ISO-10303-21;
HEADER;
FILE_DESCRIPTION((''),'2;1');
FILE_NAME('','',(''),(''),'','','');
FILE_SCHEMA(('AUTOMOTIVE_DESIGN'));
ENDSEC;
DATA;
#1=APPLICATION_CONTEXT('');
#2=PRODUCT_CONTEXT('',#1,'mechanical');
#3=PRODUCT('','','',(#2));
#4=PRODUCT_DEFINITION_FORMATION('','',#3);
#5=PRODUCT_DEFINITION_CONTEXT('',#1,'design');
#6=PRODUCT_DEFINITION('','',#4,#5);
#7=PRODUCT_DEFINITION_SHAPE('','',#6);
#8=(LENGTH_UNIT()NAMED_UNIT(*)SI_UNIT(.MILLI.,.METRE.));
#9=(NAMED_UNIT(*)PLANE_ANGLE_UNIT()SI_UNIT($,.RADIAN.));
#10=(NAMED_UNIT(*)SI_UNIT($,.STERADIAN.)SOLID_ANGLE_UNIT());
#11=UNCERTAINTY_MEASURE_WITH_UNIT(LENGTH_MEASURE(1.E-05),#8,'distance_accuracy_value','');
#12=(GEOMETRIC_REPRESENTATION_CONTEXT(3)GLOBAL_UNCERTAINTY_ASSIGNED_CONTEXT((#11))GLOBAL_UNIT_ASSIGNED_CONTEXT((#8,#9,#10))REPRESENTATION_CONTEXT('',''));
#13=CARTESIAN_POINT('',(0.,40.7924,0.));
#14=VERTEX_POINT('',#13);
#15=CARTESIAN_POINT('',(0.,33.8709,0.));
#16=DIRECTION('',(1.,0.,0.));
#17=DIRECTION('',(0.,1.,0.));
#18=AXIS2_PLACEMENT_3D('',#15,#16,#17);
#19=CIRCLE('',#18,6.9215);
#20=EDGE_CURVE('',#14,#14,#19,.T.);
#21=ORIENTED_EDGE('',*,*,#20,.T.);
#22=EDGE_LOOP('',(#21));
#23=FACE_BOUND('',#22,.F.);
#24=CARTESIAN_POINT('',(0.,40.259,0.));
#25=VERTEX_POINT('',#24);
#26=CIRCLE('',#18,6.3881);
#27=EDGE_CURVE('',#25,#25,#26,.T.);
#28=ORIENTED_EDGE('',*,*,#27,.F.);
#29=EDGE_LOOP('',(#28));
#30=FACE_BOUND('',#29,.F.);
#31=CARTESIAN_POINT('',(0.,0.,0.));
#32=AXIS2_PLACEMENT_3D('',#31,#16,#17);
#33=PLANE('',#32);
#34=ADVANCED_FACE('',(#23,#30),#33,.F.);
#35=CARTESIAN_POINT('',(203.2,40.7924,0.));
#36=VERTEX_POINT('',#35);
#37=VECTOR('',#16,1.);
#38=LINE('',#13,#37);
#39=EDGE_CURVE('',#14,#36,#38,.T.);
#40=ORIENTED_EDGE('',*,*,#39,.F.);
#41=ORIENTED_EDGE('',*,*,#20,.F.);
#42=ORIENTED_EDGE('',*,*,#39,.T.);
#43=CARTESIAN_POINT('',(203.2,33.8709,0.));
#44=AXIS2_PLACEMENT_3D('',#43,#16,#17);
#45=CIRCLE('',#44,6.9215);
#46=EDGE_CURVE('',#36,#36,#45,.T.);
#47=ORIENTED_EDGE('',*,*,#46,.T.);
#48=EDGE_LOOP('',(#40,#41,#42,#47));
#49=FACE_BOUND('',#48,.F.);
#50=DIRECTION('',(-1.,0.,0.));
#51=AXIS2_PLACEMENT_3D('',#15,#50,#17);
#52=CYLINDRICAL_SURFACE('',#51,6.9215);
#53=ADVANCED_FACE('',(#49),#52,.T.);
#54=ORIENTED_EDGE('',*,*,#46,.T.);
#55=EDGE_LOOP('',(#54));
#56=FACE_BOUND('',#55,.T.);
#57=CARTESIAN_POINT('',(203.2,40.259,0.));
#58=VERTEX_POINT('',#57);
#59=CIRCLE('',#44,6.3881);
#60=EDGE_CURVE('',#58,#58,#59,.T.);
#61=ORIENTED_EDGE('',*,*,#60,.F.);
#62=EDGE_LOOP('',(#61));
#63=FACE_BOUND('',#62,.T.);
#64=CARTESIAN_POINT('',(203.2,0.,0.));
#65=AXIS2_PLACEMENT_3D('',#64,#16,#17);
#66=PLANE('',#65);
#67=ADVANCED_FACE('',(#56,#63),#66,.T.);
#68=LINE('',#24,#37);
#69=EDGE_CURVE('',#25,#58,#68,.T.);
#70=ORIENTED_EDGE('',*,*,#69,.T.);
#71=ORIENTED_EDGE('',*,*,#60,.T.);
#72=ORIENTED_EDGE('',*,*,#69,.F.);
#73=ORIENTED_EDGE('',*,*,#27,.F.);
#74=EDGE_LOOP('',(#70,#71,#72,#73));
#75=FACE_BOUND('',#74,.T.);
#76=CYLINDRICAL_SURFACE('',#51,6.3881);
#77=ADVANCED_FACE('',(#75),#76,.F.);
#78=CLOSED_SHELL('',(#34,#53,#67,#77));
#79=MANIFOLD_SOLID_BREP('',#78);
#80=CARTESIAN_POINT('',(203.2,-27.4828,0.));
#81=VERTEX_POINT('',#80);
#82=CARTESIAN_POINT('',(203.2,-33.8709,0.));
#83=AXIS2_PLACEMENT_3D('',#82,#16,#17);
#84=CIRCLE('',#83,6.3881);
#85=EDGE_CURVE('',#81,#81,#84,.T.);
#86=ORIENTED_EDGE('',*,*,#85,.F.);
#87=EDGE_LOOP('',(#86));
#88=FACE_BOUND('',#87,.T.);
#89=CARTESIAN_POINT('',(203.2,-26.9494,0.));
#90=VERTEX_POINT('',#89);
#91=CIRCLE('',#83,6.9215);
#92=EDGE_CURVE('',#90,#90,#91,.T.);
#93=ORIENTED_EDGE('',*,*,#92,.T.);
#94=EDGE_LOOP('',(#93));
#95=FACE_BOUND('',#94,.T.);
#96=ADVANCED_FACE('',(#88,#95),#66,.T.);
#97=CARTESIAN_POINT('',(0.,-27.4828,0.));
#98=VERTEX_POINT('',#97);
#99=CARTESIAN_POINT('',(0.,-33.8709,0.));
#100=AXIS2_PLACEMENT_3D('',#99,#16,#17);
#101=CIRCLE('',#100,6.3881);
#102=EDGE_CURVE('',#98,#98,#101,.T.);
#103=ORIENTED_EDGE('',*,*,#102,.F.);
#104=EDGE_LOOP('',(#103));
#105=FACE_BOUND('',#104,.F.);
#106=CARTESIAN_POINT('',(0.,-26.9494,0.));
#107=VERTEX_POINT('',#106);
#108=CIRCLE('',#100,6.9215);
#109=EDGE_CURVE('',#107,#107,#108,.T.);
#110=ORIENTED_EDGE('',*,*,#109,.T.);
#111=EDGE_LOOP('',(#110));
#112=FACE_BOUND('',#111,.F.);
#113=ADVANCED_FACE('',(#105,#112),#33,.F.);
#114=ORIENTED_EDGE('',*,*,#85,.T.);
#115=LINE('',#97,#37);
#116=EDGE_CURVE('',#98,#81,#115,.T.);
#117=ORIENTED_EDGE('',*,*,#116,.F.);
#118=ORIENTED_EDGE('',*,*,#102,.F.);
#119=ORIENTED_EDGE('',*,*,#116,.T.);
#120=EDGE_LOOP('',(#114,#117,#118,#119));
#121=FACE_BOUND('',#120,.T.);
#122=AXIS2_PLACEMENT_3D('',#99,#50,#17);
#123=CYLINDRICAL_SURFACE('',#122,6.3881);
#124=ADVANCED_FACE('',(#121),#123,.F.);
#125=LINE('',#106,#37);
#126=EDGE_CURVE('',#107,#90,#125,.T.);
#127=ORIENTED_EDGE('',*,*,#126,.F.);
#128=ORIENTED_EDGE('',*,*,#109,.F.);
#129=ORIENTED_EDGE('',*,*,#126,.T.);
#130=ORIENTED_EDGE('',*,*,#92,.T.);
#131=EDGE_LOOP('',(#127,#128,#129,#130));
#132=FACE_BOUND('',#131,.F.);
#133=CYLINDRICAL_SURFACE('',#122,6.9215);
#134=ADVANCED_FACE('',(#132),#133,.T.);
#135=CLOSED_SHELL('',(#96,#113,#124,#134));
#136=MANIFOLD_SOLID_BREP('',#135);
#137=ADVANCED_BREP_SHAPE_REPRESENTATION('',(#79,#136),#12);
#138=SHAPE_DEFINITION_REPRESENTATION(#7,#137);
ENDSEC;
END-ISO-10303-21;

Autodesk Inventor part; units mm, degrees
ref_plane "YZ Plane" through (0, 0, 0) normal (1, 0, 0) x (0, 1, 0)
ref_plane "XZ Plane" through (0, 0, 0) normal (0, 1, 0) x (-1, 0, 0)
ref_plane "XY Plane" through (0, 0, 0) normal (0, 0, 1) x (1, 0, 0)
sketch "Sketch1" plane through (0, 0, 0) normal (1, 0, 0) x (0, 1, 0)
  circle A0 centre (33.8709, 0) radius 6.9215
  circle A1 centre (33.8709, 0) radius 6.3881
  circle A2 centre (-33.8709, 0) radius 6.9215
  circle A3 centre (-33.8709, 0) radius 6.3881
  point P0 (0, 0)
  dimension "d0" = 13.843
  dimension "d1" = 12.7762
  dimension "d2" = 67.7418
  dimension "d3" = 33.8709
extrude "Extrusion1" add sketch "Sketch1" along normal blind 203.2
equation "\"d0\" = TUBE_OUTER"
equation "\"d1\" = TUBE_INNER"
equation "\"d3\" = 0.5 * d2"
equation "\"TUBE_OUTER\" = 13.843"
equation "\"TUBE_INNER\" = 12.7762"
properties part number "Trumpet"
